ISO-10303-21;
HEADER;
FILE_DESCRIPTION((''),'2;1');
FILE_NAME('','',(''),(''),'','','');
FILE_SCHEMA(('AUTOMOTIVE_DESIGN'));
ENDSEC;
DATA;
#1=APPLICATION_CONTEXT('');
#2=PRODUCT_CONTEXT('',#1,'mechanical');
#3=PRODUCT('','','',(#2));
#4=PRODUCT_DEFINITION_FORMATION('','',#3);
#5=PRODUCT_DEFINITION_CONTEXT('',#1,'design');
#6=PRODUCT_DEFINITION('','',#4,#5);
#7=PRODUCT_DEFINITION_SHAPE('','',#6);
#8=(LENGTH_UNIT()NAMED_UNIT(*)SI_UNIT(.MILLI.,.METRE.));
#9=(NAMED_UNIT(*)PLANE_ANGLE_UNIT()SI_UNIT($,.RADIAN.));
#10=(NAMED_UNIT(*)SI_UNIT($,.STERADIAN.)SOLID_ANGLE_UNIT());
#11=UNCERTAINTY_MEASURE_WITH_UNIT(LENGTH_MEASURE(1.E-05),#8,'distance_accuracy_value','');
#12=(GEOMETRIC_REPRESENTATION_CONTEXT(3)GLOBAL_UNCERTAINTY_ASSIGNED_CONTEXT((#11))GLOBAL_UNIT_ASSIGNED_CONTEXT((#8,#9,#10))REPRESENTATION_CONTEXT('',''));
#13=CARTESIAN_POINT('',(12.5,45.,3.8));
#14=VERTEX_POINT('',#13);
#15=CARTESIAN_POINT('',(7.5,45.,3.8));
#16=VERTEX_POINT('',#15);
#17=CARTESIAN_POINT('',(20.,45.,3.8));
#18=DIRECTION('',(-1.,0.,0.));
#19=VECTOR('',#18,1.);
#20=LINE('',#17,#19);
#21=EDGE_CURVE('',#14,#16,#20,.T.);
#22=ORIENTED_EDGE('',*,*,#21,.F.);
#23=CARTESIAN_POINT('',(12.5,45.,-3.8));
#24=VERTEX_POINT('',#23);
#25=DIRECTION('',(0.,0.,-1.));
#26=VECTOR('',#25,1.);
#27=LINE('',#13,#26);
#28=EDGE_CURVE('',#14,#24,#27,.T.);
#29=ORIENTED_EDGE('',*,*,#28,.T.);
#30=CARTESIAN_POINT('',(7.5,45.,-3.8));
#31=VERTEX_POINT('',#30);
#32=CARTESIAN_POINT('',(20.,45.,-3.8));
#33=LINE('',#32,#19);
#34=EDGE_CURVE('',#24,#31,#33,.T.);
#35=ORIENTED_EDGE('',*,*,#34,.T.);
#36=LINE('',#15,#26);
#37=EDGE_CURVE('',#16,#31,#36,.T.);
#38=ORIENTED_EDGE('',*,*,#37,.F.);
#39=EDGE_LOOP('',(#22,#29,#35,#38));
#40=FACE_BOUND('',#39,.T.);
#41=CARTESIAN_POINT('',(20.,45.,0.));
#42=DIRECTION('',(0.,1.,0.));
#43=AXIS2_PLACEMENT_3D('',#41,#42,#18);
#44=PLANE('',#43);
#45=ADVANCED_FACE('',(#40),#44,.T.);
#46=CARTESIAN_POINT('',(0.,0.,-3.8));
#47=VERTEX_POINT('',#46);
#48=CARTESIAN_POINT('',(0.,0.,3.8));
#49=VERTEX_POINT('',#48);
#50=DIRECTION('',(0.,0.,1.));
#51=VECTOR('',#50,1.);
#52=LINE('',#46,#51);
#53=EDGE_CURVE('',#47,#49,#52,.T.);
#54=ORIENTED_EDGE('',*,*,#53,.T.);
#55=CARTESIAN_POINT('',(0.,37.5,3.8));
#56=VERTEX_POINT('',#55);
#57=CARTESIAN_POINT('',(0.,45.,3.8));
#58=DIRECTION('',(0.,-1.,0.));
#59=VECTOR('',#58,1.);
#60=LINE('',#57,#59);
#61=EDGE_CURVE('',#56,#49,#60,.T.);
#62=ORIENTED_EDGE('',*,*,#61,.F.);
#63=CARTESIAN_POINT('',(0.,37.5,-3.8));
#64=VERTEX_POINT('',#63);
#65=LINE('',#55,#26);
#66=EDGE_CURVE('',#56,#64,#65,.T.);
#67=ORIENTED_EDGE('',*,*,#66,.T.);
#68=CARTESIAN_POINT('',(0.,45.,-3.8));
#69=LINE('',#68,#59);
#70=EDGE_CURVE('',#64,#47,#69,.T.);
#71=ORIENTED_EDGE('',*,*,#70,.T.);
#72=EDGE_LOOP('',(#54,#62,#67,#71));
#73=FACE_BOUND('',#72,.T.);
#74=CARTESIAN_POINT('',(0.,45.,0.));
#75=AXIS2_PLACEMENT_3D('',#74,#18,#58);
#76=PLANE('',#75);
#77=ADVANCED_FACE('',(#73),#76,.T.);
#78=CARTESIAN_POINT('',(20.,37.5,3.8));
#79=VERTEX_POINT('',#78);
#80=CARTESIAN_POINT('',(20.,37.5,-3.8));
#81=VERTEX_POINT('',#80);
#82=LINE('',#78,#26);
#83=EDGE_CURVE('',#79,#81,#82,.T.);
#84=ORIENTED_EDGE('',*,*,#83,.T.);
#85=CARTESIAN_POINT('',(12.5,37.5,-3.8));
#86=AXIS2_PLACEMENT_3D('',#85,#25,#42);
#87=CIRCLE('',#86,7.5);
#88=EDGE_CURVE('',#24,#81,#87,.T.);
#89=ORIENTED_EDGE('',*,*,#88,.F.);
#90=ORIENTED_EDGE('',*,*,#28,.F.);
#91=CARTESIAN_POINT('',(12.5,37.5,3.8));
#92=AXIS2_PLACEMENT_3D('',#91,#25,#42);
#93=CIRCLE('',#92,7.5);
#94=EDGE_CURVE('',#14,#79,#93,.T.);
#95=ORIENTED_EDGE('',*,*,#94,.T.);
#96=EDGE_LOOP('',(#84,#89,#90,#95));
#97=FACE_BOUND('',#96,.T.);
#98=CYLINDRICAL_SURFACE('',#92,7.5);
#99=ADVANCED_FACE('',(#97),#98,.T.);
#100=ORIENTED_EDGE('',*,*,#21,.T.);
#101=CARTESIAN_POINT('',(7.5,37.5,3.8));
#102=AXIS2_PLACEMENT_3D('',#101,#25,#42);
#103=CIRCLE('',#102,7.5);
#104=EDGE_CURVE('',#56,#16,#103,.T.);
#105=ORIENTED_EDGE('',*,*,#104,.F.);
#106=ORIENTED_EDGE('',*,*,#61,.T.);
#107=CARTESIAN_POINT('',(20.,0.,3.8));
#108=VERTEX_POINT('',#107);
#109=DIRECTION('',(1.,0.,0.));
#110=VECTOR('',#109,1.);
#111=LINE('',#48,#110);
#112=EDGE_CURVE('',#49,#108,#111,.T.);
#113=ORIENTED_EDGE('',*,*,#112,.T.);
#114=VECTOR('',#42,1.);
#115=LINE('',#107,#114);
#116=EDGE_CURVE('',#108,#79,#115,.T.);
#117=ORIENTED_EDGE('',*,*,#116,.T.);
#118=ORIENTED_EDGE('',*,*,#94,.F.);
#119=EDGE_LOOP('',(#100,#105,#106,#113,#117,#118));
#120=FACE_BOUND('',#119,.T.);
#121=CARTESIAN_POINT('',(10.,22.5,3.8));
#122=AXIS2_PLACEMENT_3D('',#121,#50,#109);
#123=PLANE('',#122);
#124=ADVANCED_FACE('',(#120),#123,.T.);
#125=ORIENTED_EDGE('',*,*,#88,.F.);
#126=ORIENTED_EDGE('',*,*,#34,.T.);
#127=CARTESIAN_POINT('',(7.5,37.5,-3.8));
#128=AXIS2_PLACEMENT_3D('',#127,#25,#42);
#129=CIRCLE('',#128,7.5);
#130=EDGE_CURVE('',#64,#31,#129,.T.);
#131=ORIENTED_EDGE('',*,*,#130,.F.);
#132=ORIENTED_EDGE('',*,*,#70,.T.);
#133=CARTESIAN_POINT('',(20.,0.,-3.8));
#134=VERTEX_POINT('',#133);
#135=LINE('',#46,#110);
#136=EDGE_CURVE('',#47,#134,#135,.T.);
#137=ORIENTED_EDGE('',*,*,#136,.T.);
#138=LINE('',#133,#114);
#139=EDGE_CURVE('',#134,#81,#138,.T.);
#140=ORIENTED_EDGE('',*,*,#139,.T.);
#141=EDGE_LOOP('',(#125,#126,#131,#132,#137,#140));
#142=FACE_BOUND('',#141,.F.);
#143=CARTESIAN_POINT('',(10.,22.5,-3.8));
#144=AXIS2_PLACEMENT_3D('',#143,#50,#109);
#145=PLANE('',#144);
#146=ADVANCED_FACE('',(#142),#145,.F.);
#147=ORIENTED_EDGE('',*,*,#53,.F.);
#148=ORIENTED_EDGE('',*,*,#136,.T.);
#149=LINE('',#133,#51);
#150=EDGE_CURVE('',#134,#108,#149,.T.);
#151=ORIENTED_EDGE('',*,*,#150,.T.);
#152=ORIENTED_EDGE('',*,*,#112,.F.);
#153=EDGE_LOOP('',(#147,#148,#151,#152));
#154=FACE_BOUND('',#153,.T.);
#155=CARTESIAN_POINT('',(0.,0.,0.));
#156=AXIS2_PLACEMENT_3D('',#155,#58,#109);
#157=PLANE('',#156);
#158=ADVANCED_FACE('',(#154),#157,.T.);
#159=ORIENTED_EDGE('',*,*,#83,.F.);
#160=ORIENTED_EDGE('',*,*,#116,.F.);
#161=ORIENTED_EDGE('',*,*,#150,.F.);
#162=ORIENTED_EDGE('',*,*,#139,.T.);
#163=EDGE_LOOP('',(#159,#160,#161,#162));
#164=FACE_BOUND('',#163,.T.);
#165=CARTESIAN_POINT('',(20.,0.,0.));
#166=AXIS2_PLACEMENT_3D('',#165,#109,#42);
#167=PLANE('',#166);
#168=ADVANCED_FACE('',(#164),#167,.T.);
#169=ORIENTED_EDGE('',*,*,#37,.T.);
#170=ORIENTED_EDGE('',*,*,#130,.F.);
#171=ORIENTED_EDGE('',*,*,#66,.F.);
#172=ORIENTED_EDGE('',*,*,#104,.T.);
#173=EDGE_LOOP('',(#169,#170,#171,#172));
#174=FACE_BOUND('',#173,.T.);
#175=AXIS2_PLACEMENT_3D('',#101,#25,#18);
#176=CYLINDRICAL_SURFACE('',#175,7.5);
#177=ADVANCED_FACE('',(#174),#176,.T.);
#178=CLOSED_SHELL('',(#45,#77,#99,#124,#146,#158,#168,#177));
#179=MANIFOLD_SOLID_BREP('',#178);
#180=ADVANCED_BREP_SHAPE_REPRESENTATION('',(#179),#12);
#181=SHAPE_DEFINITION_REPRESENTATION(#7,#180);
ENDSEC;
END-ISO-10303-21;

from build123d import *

# Parameters (mm, degrees)
F1_DEPTH      = 3.8
F1_DEPTH_BACK = 3.8
F2_R          = 7.5


with BuildPart() as f1:
    # F0 (on Top) → F1 (new body, two sides)
    with BuildSketch(Plane.XY) as f1_sk:
        Polygon((0, 45), (0, 0), (10, 0), (20, 0), (20, 45), align=None)
    extrude(amount=F1_DEPTH)
    extrude(f1_sk.sketch, amount=-F1_DEPTH_BACK)

    # F2
    f2_edges = [f1.edges().sort_by_distance(p)[0] for p in [
        (20, 45, 0),
        (0, 45, 0),
    ]]
    fillet(f2_edges, radius=F2_R)


solid = f1.part
